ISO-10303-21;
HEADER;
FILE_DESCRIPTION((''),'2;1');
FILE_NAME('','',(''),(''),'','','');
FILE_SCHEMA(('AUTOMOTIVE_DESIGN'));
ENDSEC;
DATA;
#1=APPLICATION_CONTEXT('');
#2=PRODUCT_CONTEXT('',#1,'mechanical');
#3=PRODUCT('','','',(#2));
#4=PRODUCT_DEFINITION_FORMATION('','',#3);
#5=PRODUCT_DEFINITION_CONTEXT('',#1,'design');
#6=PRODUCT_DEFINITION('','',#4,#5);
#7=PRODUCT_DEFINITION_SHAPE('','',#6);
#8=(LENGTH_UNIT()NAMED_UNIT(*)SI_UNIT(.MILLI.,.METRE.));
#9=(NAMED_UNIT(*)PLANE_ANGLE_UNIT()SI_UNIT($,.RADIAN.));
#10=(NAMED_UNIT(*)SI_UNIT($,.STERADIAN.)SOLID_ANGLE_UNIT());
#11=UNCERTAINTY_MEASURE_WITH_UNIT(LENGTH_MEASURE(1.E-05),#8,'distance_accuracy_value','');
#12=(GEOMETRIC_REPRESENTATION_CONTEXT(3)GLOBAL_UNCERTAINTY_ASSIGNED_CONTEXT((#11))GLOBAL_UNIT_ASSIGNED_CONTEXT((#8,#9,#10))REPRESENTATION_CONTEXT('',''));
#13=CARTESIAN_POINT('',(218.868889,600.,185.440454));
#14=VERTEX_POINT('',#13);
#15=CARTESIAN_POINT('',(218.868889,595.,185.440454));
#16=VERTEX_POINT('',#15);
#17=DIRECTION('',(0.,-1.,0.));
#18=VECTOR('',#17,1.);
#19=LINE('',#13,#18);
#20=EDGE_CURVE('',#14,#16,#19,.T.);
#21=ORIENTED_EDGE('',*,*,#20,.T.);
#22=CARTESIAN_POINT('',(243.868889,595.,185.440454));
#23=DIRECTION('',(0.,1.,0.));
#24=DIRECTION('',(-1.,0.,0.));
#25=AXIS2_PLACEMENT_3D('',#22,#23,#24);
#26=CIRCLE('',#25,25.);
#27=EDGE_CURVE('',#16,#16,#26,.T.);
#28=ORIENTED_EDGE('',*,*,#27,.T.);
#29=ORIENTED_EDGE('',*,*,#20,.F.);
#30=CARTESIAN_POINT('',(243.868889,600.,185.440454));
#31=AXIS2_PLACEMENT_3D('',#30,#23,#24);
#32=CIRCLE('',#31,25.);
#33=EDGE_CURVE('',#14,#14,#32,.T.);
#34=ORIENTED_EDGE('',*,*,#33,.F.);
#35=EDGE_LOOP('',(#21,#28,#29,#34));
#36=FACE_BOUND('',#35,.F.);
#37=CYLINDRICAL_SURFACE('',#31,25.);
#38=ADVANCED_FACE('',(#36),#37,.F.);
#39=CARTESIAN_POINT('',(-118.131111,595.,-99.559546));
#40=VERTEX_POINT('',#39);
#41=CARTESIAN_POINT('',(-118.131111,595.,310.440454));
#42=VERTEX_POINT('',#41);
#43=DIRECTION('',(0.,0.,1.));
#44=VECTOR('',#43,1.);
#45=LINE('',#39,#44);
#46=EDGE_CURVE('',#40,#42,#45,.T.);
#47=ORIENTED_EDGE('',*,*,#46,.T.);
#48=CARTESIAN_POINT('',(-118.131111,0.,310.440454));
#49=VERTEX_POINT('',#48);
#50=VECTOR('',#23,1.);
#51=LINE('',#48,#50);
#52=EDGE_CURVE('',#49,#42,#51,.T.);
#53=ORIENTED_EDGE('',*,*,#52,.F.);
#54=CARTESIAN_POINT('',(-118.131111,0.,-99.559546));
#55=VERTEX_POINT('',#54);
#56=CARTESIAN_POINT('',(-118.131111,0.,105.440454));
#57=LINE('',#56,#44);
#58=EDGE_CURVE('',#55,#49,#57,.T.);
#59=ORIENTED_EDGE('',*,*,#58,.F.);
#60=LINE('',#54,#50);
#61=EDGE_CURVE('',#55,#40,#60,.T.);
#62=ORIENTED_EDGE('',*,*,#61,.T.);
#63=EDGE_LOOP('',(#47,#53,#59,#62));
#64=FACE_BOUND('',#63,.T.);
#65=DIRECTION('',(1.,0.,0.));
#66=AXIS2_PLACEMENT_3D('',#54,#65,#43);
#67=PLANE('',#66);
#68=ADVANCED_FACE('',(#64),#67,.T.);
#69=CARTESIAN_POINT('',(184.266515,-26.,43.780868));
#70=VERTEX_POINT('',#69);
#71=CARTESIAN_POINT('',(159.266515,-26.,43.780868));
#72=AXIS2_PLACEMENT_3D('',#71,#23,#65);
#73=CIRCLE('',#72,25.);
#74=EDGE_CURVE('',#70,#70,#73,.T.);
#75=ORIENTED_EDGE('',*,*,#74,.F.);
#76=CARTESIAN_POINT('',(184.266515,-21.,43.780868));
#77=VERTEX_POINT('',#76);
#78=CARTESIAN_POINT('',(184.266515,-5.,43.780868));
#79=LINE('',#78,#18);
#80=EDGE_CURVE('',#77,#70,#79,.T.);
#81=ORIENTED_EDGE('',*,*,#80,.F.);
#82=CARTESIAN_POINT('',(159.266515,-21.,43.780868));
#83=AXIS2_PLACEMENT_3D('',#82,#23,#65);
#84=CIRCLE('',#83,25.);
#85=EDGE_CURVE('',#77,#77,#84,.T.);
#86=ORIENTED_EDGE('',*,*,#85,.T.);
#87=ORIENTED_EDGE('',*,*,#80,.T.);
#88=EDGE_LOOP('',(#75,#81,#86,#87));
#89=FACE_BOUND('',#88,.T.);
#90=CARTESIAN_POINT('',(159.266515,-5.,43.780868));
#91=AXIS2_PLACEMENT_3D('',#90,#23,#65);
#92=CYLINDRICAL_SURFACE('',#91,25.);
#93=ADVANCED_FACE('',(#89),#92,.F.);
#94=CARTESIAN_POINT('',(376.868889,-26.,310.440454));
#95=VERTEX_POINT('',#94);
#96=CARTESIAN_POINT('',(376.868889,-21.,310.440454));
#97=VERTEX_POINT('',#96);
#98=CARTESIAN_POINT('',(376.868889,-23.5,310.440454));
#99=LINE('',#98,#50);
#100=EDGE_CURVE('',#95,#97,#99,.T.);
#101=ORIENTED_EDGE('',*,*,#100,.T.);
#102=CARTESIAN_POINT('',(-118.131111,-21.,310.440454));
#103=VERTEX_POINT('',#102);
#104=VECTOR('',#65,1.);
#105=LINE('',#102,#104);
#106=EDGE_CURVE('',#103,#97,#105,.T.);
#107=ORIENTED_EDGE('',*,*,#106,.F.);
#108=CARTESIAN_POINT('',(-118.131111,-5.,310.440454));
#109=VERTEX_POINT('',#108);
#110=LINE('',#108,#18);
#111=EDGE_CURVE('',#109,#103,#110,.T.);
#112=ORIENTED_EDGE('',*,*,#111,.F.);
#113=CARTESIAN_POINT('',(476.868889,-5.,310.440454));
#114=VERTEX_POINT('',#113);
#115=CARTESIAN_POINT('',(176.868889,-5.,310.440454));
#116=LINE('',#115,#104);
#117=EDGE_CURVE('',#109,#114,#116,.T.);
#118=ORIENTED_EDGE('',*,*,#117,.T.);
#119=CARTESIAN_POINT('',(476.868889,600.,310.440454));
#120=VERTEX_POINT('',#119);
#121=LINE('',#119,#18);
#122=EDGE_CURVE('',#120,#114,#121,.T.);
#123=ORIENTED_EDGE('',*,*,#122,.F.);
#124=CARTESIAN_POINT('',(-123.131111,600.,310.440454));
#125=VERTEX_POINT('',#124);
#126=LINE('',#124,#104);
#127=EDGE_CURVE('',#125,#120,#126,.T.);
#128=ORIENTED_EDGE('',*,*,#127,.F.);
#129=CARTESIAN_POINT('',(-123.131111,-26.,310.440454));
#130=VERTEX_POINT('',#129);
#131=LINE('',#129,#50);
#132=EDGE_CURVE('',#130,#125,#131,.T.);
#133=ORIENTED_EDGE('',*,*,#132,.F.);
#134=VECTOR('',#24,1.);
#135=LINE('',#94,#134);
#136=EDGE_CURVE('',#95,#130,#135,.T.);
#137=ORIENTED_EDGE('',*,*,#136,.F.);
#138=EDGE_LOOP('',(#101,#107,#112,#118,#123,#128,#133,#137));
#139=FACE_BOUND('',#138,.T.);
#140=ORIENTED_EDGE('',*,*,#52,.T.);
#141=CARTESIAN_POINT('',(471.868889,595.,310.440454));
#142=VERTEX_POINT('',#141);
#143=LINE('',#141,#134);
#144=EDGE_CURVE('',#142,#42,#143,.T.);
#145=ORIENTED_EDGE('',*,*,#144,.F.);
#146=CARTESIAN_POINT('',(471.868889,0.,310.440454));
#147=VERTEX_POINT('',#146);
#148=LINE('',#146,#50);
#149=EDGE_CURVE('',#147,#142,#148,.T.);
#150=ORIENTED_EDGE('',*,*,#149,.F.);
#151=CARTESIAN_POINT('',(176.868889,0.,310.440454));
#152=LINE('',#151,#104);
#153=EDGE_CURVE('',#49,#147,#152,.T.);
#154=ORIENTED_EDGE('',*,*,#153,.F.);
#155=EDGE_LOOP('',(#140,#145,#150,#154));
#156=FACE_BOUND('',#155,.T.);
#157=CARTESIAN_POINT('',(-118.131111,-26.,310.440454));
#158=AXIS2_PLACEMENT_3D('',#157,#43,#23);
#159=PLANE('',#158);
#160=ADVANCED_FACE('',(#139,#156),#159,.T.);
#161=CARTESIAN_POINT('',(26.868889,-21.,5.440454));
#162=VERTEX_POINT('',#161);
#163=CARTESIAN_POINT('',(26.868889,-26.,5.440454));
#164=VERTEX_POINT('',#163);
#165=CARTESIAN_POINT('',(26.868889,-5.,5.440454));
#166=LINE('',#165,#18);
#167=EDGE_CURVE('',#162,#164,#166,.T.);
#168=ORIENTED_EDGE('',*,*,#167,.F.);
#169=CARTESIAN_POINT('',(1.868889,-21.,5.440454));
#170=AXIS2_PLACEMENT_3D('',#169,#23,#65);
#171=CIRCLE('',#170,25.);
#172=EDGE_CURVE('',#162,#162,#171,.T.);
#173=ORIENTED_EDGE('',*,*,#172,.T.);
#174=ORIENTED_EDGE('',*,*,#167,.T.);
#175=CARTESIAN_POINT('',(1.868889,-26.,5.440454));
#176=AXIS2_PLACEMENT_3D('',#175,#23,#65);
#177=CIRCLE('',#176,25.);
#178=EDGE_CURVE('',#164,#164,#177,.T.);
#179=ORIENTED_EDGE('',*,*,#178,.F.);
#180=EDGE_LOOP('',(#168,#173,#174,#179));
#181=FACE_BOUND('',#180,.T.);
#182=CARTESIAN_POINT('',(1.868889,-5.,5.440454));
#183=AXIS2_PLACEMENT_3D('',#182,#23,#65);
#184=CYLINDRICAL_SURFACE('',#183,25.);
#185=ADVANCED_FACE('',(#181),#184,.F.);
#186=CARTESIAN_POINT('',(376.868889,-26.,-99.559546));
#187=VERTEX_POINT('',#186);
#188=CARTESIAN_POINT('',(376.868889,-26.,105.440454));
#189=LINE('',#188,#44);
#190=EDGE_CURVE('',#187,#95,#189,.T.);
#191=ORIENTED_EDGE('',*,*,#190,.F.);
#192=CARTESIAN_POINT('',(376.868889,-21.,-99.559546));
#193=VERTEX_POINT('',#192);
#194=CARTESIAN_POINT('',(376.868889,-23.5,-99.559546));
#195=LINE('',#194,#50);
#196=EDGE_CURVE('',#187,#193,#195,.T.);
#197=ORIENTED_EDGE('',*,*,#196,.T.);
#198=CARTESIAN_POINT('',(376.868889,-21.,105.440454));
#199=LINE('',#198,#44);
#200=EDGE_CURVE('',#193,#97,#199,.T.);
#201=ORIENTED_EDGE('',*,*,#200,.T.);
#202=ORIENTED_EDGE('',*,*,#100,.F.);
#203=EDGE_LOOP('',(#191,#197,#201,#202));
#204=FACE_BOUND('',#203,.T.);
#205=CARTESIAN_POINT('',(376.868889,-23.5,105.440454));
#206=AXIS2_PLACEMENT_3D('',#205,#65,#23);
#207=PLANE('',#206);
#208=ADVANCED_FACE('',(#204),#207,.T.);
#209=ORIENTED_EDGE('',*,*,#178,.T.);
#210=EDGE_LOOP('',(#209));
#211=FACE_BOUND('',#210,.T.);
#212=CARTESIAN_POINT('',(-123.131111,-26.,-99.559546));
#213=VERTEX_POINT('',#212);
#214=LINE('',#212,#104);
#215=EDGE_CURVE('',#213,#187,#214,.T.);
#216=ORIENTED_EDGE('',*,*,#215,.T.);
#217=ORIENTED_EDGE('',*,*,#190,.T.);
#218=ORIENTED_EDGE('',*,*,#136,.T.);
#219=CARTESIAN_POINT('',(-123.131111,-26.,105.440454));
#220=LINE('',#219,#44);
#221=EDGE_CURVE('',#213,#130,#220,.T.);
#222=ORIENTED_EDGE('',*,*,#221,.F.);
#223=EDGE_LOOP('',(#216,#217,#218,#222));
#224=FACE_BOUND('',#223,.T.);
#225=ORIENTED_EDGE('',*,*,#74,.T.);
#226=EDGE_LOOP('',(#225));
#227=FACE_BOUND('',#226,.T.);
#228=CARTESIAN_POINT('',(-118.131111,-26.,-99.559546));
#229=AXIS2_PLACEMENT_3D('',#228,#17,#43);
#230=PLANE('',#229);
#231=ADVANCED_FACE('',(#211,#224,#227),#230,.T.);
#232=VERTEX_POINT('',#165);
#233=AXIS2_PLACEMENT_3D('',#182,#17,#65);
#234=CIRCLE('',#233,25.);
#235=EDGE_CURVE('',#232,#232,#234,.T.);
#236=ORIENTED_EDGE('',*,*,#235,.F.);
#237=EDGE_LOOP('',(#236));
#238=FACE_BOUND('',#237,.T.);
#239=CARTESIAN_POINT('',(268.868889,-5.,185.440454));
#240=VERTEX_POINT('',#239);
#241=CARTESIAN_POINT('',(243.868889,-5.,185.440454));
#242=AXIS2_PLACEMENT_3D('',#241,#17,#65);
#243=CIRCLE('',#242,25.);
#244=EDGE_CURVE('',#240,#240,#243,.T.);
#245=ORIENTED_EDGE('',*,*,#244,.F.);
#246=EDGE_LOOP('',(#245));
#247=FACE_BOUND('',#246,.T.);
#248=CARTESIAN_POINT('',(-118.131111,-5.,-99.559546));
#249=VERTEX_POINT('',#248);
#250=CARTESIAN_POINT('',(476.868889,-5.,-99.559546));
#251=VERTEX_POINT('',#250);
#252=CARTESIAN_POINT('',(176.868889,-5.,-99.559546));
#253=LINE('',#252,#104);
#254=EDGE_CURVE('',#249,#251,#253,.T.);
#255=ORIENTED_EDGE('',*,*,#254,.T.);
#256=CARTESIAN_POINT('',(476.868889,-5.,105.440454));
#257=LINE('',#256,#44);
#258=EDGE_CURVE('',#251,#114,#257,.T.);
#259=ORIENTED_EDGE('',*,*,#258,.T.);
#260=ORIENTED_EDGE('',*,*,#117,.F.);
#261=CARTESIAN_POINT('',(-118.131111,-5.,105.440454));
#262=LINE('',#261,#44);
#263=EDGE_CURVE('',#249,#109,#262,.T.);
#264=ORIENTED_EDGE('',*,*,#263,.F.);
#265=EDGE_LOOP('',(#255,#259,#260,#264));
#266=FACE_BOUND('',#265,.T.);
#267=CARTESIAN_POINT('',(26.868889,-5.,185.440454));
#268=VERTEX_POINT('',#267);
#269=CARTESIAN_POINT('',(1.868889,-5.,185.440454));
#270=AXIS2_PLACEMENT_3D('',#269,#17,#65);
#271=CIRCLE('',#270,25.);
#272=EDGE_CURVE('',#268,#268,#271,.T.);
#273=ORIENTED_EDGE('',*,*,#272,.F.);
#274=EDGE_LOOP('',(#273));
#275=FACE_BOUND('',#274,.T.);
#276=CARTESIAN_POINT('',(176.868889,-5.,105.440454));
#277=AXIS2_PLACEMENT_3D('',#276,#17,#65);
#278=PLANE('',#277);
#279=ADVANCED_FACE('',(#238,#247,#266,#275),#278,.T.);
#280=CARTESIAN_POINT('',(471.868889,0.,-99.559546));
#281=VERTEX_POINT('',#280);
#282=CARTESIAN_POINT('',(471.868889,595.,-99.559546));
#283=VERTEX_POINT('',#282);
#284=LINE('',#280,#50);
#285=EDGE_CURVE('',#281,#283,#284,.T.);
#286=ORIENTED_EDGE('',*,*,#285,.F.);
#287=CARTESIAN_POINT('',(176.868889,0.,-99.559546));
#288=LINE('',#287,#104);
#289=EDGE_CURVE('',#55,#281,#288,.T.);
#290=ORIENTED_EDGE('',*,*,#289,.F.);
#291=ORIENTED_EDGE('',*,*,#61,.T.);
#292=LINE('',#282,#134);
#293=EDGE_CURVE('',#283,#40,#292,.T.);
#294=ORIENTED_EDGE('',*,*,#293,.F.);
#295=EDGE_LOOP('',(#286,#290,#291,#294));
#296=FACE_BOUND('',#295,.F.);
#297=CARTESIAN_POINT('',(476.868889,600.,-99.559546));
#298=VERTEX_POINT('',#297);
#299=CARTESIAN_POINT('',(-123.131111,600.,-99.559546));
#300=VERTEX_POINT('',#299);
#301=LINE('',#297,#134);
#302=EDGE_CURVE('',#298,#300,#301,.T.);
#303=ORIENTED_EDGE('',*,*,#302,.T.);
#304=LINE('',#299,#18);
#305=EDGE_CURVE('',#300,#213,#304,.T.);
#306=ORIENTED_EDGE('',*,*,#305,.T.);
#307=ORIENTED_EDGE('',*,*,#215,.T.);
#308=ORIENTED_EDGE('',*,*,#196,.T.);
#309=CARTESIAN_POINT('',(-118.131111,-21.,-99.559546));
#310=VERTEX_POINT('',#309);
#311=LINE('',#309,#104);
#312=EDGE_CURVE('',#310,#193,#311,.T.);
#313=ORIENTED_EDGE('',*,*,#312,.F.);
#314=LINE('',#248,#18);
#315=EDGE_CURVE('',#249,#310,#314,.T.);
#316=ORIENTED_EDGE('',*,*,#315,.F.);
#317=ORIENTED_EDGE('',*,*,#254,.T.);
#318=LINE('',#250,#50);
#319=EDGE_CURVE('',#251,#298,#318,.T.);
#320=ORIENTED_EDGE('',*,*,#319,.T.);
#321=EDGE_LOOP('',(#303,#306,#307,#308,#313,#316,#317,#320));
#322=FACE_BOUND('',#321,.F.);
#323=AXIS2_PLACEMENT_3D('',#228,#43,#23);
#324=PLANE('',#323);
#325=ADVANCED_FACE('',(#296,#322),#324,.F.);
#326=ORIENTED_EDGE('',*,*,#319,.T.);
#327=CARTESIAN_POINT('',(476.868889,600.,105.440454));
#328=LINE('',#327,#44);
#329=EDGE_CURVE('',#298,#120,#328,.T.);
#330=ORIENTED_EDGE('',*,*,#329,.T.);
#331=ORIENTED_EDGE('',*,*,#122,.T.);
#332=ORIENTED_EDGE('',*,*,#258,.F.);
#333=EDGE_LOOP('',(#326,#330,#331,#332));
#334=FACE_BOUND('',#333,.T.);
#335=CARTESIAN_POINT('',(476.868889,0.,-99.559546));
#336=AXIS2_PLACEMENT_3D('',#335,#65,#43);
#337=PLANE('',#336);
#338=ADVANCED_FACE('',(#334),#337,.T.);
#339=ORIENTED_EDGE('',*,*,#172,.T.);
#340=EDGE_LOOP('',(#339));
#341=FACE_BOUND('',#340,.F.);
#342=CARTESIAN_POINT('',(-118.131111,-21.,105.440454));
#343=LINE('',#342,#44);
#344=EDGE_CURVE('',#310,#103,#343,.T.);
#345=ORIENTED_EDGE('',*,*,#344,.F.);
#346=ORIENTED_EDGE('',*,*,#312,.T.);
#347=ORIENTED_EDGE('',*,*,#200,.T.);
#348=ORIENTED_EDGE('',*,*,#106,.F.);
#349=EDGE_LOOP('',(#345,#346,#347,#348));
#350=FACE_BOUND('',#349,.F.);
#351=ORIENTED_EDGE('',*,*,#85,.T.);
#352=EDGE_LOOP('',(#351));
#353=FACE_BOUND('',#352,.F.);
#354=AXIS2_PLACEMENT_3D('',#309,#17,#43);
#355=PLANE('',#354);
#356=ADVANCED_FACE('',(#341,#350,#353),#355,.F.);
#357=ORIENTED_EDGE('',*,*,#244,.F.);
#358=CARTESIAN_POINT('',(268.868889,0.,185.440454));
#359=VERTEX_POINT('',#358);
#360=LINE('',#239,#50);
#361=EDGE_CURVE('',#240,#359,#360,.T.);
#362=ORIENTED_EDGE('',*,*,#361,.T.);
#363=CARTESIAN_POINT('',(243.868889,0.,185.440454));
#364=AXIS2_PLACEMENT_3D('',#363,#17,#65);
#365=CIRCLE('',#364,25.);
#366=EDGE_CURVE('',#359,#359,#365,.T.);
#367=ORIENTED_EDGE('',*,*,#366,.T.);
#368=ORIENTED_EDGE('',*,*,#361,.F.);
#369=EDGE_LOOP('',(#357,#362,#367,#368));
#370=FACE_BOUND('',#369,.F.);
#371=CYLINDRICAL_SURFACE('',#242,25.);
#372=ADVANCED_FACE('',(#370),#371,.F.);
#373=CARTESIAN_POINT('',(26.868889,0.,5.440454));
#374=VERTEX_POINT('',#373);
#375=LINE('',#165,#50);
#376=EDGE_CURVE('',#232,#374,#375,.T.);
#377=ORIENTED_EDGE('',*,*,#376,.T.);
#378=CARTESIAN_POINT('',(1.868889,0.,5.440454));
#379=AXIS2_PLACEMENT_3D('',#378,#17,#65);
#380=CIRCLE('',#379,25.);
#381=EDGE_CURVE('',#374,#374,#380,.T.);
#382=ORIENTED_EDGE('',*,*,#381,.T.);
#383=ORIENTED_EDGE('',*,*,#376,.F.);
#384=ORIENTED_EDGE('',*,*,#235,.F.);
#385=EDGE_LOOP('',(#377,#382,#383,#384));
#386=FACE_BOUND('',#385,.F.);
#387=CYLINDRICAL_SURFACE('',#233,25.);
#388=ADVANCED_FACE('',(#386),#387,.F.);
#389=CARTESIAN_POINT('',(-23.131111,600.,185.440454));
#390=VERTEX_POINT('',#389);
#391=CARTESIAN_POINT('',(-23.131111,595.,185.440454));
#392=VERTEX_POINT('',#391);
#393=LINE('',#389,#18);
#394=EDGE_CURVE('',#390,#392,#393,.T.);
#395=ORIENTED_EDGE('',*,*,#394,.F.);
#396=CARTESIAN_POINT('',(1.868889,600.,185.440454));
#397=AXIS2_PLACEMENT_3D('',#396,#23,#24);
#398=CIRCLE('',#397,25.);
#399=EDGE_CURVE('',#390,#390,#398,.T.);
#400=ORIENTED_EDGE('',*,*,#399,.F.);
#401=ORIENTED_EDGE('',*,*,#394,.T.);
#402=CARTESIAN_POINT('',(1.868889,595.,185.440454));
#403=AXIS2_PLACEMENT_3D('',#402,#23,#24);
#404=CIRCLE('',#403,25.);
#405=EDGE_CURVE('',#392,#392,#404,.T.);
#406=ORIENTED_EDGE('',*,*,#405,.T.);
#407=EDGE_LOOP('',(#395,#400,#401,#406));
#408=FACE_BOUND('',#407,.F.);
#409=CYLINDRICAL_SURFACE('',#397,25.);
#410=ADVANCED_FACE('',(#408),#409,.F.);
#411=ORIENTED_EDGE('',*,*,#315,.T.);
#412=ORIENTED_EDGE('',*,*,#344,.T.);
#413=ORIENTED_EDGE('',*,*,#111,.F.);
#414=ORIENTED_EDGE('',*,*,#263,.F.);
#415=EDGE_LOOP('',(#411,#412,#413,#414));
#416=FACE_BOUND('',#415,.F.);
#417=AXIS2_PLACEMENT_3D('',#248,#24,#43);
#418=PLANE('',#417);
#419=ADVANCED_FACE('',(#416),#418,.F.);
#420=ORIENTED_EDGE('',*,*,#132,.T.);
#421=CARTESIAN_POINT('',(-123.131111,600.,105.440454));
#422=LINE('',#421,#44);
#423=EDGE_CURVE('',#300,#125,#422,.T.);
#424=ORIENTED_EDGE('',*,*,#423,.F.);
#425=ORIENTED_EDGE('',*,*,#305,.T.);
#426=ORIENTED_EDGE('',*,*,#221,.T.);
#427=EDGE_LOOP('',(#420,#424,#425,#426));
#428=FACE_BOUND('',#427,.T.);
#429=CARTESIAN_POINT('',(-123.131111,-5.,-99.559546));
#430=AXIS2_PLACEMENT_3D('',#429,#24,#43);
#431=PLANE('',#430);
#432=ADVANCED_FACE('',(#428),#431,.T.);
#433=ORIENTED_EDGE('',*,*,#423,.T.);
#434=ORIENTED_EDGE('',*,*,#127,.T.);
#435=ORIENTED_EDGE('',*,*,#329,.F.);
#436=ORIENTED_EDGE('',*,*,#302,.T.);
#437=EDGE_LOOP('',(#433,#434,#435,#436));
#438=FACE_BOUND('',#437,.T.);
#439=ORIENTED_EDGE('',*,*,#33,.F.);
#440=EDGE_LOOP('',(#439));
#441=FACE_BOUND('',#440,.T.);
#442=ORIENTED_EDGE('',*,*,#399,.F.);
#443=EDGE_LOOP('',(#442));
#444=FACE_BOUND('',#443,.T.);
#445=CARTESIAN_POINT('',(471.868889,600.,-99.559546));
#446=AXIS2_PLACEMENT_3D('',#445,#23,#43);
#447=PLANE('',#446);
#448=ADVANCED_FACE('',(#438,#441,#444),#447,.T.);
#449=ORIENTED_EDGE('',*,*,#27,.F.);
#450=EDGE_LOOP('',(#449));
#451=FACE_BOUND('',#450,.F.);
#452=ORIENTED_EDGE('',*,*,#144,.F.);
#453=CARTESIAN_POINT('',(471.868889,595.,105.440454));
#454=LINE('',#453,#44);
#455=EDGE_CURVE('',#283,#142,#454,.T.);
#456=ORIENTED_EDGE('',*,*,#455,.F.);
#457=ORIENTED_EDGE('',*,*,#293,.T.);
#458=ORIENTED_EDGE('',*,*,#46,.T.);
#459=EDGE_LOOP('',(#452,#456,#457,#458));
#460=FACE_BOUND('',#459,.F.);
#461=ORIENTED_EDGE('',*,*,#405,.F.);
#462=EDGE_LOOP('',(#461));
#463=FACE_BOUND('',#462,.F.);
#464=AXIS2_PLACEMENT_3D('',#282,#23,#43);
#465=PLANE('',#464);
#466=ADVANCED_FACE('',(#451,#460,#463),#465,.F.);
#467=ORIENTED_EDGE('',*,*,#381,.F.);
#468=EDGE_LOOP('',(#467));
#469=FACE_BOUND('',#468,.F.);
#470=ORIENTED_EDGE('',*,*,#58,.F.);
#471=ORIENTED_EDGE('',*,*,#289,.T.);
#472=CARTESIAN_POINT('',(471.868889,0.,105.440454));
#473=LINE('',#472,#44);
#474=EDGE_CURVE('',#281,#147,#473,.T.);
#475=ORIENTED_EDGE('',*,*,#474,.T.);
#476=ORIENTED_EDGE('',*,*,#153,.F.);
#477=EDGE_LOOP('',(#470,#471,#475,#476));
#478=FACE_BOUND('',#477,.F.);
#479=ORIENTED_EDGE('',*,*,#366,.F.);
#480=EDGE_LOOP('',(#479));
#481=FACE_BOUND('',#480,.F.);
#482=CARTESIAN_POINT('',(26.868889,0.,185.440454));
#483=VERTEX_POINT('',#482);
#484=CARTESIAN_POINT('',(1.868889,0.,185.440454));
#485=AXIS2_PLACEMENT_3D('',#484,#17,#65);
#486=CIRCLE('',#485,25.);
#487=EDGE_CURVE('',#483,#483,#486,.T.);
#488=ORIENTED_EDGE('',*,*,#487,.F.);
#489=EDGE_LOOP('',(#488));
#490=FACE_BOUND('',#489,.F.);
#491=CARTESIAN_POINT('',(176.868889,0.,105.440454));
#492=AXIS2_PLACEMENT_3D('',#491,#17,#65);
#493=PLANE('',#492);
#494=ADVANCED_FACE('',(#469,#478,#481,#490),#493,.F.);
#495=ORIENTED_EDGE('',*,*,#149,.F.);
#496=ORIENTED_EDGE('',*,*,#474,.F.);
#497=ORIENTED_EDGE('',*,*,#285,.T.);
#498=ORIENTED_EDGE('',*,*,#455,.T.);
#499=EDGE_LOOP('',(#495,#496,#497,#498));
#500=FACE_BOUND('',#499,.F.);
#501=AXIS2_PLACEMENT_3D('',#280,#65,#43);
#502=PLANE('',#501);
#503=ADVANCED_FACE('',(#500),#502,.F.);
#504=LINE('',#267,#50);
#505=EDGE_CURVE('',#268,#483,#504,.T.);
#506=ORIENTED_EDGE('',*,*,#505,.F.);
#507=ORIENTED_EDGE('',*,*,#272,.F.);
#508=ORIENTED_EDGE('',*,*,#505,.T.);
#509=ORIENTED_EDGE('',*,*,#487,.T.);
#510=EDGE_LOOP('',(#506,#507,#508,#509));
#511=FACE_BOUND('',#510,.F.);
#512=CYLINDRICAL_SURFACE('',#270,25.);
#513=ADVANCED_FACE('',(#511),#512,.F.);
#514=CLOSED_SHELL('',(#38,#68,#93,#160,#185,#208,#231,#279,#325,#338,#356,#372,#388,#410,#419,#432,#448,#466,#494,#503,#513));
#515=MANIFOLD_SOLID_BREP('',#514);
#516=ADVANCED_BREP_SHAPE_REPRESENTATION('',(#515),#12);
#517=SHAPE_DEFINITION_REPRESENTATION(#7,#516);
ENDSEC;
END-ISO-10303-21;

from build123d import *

# Parameters (mm, degrees)
F0_W      = 600
F0_H      = 410
F1_DEPTH  = 5
F3_W      = 5
F3_H      = 410
F4_DEPTH  = 600
F5_W      = 5
F5_H      = 410
F6_DEPTH  = 591
F7_R      = 25
F8_DEPTH  = 25.4
F2_R      = 25
F9_DEPTH  = 25.4
F10_DEPTH = 25.4
F11_DEPTH = 25.4
F2_W      = 5
F2_H      = 410
F12_DEPTH = 21
F13_W     = 5
F13_H     = 410
F14_DEPTH = 495
F15_DEPTH = 76.2
F16_DEPTH = 25.4


with BuildPart() as f1:
    # F0 (on Front) → F1 (new body)
    with BuildSketch(Plane.XZ):
        with Locations((176.868889, 105.440454)):
            Rectangle(F0_W, F0_H)
    extrude(amount=F1_DEPTH)

    # F3 (on face) → F4 (join)
    with BuildSketch(Plane(origin=(0, 0, 0), x_dir=(-1, 0, 0), z_dir=(0, 1, 0))):
        with Locations((-474.368889, 105.440454)):
            Rectangle(F3_W, F3_H)
        with Locations((120.631111, 105.440454)):
            Rectangle(F3_W, F3_H)
    extrude(amount=F4_DEPTH)

    # F5 (on face) → F6 (join)
    with BuildSketch(Plane(origin=(471.868889, 0, 0), x_dir=(0, -1, 0), z_dir=(-1, 0, 0))):
        with Locations((-597.5, 105.440454)):
            Rectangle(F5_W, F5_H)
    extrude(amount=F6_DEPTH)

    # F7 (on face) → F8 (cut)
    with BuildSketch(Plane(origin=(0, 600, 0), x_dir=(-1, 0, 0), z_dir=(0, 1, 0))):
        with Locations((-1.868889, 185.440454)):
            Circle(F7_R)
        with Locations((-243.868889, 185.440454)):
            Circle(F7_R)
    extrude(amount=-F8_DEPTH, mode=Mode.SUBTRACT)

    # F2 (on face) → F9 (cut)
    with BuildSketch(Plane.XZ.offset(5)):
        with Locations((1.868889, 185.440454)):
            Circle(F2_R)
    extrude(amount=-F9_DEPTH, mode=Mode.SUBTRACT)

    # F2 (on face) → F10 (cut)
    with BuildSketch(Plane.XZ.offset(5)):
        with Locations((243.868889, 185.440454)):
            Circle(F2_R)
    extrude(amount=-F10_DEPTH, mode=Mode.SUBTRACT)

    # F2 (on face) → F11 (cut)
    with BuildSketch(Plane.XZ.offset(5)):
        with Locations((1.868889, 5.440454)):
            Circle(F2_R)
    extrude(amount=-F11_DEPTH, mode=Mode.SUBTRACT)

    # F2 (on face) → F12 (join)
    with BuildSketch(Plane.XZ.offset(5)):
        with Locations((-120.631111, 105.440454)):
            Rectangle(F2_W, F2_H)
    extrude(amount=F12_DEPTH)

    # F13 (on face) → F14 (join)
    with BuildSketch(Plane.YZ.offset(-118.131111)):
        with Locations((-23.5, 105.440454)):
            Rectangle(F13_W, F13_H)
    extrude(amount=F14_DEPTH)

    # F2 (on face) → F15 (cut)
    with BuildSketch(Plane.XZ.offset(5)):
        with Locations((1.868889, 5.440454)):
            Circle(F2_R)
    extrude(amount=F15_DEPTH, mode=Mode.SUBTRACT)

    # F2 (on face) → F16 (cut)
    with BuildSketch(Plane.XZ.offset(5)):
        with Locations((159.266515, 43.780868)):
            Circle(F2_R)
    extrude(amount=F16_DEPTH, mode=Mode.SUBTRACT)


solid = f1.part
